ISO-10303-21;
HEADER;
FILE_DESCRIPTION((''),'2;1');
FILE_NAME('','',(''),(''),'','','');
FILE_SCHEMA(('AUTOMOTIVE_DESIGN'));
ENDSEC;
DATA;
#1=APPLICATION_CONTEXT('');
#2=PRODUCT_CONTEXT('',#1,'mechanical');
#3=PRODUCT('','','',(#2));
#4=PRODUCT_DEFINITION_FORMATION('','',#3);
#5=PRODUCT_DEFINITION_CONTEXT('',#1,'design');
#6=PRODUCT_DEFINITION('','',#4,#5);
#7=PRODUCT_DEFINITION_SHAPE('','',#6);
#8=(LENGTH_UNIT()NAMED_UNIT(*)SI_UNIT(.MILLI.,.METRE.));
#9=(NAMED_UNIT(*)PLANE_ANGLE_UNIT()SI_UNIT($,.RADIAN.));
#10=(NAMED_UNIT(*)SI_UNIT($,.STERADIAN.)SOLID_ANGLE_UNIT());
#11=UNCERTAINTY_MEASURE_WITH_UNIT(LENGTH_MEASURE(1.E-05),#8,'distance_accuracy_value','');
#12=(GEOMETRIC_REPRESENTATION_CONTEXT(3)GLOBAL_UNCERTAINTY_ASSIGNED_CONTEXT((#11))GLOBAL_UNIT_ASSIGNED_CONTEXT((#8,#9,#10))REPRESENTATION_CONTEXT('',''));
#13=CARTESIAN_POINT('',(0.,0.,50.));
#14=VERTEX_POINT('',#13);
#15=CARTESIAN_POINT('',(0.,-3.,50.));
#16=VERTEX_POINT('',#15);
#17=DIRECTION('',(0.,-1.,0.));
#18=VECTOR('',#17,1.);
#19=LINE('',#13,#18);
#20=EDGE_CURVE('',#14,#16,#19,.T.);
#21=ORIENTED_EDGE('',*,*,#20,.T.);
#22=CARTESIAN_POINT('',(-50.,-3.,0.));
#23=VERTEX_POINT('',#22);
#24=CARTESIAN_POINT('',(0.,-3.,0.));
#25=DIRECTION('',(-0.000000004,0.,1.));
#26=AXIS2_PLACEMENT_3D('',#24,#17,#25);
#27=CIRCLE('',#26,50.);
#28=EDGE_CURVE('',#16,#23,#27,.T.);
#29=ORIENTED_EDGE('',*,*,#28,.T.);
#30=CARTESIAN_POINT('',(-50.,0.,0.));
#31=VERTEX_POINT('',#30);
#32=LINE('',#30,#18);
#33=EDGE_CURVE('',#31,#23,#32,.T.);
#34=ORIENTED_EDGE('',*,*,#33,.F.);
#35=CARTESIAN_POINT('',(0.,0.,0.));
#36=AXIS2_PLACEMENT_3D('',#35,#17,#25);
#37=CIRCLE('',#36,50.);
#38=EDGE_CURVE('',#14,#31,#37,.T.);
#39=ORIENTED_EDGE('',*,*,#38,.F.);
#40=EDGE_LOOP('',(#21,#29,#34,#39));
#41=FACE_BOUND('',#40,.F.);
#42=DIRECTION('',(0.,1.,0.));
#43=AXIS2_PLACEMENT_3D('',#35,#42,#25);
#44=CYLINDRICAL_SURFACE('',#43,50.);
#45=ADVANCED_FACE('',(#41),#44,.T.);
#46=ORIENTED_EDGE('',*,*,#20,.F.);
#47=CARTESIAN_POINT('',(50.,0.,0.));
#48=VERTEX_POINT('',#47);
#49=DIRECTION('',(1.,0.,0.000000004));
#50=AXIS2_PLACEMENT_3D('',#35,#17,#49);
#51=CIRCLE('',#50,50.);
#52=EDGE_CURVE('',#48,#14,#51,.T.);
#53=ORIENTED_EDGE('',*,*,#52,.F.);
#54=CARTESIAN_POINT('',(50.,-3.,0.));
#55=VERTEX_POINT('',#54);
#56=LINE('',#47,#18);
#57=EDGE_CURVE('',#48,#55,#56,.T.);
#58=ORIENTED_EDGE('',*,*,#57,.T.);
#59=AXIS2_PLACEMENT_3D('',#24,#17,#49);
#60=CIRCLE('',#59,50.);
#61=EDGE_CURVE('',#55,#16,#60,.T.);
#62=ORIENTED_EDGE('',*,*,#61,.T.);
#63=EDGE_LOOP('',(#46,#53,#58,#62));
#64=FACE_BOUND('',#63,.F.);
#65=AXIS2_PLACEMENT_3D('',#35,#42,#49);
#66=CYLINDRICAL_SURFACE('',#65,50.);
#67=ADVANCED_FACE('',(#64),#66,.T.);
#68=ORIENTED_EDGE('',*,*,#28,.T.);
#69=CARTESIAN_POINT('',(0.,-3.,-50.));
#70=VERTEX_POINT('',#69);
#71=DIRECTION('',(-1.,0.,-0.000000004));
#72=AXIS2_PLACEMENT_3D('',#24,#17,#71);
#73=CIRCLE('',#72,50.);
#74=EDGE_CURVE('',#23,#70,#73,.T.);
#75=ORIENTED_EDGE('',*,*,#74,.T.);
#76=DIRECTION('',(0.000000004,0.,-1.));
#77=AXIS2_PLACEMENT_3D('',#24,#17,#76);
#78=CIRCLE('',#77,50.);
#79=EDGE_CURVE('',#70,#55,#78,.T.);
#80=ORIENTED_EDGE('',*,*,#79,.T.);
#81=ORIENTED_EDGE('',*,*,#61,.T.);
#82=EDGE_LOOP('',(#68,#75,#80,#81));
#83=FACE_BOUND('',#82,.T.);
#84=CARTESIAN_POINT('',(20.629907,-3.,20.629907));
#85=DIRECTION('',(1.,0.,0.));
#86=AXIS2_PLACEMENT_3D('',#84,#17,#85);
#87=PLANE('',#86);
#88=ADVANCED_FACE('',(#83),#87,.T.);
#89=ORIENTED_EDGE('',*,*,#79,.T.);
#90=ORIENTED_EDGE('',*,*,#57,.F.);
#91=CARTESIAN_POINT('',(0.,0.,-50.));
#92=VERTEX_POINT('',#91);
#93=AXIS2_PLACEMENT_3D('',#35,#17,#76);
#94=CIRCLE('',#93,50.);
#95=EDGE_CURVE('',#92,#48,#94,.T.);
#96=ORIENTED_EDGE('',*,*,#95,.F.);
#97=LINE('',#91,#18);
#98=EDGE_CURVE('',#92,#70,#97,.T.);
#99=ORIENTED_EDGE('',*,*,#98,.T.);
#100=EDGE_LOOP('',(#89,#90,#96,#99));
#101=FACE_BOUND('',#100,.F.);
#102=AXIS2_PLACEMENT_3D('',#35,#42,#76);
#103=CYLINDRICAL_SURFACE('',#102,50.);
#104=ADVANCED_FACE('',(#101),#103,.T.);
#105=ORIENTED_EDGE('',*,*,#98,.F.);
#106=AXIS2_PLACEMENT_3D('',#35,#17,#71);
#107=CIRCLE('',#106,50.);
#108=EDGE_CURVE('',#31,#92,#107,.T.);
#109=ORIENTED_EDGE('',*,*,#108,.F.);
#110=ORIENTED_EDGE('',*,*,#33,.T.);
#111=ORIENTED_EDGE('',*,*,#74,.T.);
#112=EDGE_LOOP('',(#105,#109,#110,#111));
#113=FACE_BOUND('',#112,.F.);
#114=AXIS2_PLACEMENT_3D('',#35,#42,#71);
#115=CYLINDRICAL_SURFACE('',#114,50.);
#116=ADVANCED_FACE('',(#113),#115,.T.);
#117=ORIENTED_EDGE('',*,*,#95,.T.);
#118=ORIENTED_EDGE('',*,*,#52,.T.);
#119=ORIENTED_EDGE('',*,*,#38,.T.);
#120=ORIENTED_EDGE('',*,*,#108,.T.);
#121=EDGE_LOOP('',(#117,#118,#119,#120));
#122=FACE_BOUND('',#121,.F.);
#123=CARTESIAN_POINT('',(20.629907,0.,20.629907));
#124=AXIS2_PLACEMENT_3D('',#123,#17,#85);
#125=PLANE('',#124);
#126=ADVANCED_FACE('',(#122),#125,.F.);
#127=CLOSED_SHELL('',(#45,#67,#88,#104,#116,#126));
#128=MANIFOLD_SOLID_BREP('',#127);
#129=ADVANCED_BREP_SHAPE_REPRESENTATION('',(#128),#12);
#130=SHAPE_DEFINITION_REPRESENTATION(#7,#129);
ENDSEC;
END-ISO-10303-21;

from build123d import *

# Parameters (mm, degrees)
F1_DEPTH = 3


with BuildPart() as f1:
    # F0 (on Front) → F1 (new body)
    with BuildSketch(Plane.XZ):
        with BuildLine():
            Line((0, 0), (50, 0))
            ThreePointArc((50, 0), (35.355339, 35.355339), (0, 50))
            Line((0, 50), (0, 0))
        make_face()
        with BuildLine():
            ThreePointArc((0, -50), (35.355339, -35.355339), (50, 0))
            Line((50, 0), (0, 0))
            Line((0, 0), (0, -50))
        make_face()
        with BuildLine():
            Line((0, 0), (0, 50))
            ThreePointArc((0, 50), (-35.355339, 35.355339), (-50, 0))
            Line((-50, 0), (0, 0))
        make_face()
        with BuildLine():
            ThreePointArc((-50, 0), (-35.355339, -35.355339), (0, -50))
            Line((0, -50), (0, 0))
            Line((0, 0), (-50, 0))
        make_face()
    extrude(amount=F1_DEPTH)


solid = f1.part
